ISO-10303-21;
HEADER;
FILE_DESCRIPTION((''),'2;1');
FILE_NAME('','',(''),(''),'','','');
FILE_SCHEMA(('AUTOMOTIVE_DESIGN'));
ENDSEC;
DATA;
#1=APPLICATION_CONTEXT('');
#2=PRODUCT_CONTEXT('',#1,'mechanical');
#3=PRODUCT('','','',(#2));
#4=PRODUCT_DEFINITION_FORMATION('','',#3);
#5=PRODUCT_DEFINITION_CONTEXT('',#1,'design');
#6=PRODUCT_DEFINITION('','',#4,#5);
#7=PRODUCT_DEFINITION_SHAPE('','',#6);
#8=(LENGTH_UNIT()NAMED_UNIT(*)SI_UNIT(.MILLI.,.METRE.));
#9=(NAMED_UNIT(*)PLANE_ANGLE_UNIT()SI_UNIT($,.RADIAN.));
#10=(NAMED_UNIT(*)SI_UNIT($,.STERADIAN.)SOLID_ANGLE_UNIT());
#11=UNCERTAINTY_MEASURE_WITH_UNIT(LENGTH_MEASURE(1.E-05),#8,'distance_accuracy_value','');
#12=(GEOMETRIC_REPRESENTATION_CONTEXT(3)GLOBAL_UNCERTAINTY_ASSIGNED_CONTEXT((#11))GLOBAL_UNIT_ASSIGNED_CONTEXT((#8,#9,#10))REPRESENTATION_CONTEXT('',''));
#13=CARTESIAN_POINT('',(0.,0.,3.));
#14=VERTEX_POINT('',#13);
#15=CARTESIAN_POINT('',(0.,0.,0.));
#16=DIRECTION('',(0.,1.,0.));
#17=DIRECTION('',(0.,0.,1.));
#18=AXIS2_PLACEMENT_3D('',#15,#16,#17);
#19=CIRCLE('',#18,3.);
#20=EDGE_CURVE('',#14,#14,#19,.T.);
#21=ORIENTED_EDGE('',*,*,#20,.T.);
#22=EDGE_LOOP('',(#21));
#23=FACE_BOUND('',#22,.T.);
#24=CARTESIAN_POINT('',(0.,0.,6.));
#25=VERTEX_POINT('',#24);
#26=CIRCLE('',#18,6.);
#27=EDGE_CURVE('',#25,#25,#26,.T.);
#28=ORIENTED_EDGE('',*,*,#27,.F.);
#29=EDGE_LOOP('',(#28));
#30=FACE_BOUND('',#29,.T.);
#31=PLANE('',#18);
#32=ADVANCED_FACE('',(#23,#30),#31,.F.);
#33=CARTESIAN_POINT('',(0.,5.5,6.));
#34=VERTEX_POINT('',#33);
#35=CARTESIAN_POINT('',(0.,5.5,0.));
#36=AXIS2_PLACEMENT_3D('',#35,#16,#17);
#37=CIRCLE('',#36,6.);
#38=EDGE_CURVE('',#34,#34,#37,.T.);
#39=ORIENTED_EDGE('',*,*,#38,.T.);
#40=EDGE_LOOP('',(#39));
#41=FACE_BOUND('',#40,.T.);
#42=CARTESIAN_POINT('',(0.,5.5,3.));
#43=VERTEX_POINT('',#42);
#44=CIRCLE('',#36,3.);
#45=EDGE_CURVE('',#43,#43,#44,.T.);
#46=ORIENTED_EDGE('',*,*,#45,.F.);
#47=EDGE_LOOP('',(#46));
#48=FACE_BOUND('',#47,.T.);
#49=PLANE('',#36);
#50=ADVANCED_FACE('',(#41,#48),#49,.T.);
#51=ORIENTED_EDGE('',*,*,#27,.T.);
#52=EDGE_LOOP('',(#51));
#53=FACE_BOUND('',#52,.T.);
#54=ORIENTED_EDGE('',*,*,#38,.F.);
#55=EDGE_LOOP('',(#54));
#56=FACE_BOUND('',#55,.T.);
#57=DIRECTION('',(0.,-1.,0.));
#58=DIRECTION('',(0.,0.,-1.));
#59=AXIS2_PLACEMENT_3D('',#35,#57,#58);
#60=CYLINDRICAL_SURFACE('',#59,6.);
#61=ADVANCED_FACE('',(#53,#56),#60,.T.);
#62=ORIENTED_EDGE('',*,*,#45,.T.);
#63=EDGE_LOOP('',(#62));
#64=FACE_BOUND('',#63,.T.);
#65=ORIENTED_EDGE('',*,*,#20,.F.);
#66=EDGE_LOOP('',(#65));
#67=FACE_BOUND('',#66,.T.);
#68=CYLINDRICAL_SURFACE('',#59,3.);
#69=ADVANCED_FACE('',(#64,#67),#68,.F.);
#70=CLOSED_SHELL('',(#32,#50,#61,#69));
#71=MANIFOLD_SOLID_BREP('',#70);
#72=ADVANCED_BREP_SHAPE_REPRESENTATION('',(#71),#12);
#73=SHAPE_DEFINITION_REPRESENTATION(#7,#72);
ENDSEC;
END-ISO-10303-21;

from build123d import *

# Parameters (mm, degrees)
SKETCH_1_R      = 6
SKETCH_1_R_2    = 3
EXTRUDE_1_DEPTH = 5.5


with BuildPart() as part:
    # 스케치1 → 보스-돌출1 (new body)
    with BuildSketch(Plane(origin=(0, 0, 0), x_dir=(1, 0, 0), z_dir=(0, 1, 0))):
        Circle(SKETCH_1_R)
        Circle(SKETCH_1_R_2, mode=Mode.SUBTRACT)
    extrude(amount=EXTRUDE_1_DEPTH)


solid = part.part
